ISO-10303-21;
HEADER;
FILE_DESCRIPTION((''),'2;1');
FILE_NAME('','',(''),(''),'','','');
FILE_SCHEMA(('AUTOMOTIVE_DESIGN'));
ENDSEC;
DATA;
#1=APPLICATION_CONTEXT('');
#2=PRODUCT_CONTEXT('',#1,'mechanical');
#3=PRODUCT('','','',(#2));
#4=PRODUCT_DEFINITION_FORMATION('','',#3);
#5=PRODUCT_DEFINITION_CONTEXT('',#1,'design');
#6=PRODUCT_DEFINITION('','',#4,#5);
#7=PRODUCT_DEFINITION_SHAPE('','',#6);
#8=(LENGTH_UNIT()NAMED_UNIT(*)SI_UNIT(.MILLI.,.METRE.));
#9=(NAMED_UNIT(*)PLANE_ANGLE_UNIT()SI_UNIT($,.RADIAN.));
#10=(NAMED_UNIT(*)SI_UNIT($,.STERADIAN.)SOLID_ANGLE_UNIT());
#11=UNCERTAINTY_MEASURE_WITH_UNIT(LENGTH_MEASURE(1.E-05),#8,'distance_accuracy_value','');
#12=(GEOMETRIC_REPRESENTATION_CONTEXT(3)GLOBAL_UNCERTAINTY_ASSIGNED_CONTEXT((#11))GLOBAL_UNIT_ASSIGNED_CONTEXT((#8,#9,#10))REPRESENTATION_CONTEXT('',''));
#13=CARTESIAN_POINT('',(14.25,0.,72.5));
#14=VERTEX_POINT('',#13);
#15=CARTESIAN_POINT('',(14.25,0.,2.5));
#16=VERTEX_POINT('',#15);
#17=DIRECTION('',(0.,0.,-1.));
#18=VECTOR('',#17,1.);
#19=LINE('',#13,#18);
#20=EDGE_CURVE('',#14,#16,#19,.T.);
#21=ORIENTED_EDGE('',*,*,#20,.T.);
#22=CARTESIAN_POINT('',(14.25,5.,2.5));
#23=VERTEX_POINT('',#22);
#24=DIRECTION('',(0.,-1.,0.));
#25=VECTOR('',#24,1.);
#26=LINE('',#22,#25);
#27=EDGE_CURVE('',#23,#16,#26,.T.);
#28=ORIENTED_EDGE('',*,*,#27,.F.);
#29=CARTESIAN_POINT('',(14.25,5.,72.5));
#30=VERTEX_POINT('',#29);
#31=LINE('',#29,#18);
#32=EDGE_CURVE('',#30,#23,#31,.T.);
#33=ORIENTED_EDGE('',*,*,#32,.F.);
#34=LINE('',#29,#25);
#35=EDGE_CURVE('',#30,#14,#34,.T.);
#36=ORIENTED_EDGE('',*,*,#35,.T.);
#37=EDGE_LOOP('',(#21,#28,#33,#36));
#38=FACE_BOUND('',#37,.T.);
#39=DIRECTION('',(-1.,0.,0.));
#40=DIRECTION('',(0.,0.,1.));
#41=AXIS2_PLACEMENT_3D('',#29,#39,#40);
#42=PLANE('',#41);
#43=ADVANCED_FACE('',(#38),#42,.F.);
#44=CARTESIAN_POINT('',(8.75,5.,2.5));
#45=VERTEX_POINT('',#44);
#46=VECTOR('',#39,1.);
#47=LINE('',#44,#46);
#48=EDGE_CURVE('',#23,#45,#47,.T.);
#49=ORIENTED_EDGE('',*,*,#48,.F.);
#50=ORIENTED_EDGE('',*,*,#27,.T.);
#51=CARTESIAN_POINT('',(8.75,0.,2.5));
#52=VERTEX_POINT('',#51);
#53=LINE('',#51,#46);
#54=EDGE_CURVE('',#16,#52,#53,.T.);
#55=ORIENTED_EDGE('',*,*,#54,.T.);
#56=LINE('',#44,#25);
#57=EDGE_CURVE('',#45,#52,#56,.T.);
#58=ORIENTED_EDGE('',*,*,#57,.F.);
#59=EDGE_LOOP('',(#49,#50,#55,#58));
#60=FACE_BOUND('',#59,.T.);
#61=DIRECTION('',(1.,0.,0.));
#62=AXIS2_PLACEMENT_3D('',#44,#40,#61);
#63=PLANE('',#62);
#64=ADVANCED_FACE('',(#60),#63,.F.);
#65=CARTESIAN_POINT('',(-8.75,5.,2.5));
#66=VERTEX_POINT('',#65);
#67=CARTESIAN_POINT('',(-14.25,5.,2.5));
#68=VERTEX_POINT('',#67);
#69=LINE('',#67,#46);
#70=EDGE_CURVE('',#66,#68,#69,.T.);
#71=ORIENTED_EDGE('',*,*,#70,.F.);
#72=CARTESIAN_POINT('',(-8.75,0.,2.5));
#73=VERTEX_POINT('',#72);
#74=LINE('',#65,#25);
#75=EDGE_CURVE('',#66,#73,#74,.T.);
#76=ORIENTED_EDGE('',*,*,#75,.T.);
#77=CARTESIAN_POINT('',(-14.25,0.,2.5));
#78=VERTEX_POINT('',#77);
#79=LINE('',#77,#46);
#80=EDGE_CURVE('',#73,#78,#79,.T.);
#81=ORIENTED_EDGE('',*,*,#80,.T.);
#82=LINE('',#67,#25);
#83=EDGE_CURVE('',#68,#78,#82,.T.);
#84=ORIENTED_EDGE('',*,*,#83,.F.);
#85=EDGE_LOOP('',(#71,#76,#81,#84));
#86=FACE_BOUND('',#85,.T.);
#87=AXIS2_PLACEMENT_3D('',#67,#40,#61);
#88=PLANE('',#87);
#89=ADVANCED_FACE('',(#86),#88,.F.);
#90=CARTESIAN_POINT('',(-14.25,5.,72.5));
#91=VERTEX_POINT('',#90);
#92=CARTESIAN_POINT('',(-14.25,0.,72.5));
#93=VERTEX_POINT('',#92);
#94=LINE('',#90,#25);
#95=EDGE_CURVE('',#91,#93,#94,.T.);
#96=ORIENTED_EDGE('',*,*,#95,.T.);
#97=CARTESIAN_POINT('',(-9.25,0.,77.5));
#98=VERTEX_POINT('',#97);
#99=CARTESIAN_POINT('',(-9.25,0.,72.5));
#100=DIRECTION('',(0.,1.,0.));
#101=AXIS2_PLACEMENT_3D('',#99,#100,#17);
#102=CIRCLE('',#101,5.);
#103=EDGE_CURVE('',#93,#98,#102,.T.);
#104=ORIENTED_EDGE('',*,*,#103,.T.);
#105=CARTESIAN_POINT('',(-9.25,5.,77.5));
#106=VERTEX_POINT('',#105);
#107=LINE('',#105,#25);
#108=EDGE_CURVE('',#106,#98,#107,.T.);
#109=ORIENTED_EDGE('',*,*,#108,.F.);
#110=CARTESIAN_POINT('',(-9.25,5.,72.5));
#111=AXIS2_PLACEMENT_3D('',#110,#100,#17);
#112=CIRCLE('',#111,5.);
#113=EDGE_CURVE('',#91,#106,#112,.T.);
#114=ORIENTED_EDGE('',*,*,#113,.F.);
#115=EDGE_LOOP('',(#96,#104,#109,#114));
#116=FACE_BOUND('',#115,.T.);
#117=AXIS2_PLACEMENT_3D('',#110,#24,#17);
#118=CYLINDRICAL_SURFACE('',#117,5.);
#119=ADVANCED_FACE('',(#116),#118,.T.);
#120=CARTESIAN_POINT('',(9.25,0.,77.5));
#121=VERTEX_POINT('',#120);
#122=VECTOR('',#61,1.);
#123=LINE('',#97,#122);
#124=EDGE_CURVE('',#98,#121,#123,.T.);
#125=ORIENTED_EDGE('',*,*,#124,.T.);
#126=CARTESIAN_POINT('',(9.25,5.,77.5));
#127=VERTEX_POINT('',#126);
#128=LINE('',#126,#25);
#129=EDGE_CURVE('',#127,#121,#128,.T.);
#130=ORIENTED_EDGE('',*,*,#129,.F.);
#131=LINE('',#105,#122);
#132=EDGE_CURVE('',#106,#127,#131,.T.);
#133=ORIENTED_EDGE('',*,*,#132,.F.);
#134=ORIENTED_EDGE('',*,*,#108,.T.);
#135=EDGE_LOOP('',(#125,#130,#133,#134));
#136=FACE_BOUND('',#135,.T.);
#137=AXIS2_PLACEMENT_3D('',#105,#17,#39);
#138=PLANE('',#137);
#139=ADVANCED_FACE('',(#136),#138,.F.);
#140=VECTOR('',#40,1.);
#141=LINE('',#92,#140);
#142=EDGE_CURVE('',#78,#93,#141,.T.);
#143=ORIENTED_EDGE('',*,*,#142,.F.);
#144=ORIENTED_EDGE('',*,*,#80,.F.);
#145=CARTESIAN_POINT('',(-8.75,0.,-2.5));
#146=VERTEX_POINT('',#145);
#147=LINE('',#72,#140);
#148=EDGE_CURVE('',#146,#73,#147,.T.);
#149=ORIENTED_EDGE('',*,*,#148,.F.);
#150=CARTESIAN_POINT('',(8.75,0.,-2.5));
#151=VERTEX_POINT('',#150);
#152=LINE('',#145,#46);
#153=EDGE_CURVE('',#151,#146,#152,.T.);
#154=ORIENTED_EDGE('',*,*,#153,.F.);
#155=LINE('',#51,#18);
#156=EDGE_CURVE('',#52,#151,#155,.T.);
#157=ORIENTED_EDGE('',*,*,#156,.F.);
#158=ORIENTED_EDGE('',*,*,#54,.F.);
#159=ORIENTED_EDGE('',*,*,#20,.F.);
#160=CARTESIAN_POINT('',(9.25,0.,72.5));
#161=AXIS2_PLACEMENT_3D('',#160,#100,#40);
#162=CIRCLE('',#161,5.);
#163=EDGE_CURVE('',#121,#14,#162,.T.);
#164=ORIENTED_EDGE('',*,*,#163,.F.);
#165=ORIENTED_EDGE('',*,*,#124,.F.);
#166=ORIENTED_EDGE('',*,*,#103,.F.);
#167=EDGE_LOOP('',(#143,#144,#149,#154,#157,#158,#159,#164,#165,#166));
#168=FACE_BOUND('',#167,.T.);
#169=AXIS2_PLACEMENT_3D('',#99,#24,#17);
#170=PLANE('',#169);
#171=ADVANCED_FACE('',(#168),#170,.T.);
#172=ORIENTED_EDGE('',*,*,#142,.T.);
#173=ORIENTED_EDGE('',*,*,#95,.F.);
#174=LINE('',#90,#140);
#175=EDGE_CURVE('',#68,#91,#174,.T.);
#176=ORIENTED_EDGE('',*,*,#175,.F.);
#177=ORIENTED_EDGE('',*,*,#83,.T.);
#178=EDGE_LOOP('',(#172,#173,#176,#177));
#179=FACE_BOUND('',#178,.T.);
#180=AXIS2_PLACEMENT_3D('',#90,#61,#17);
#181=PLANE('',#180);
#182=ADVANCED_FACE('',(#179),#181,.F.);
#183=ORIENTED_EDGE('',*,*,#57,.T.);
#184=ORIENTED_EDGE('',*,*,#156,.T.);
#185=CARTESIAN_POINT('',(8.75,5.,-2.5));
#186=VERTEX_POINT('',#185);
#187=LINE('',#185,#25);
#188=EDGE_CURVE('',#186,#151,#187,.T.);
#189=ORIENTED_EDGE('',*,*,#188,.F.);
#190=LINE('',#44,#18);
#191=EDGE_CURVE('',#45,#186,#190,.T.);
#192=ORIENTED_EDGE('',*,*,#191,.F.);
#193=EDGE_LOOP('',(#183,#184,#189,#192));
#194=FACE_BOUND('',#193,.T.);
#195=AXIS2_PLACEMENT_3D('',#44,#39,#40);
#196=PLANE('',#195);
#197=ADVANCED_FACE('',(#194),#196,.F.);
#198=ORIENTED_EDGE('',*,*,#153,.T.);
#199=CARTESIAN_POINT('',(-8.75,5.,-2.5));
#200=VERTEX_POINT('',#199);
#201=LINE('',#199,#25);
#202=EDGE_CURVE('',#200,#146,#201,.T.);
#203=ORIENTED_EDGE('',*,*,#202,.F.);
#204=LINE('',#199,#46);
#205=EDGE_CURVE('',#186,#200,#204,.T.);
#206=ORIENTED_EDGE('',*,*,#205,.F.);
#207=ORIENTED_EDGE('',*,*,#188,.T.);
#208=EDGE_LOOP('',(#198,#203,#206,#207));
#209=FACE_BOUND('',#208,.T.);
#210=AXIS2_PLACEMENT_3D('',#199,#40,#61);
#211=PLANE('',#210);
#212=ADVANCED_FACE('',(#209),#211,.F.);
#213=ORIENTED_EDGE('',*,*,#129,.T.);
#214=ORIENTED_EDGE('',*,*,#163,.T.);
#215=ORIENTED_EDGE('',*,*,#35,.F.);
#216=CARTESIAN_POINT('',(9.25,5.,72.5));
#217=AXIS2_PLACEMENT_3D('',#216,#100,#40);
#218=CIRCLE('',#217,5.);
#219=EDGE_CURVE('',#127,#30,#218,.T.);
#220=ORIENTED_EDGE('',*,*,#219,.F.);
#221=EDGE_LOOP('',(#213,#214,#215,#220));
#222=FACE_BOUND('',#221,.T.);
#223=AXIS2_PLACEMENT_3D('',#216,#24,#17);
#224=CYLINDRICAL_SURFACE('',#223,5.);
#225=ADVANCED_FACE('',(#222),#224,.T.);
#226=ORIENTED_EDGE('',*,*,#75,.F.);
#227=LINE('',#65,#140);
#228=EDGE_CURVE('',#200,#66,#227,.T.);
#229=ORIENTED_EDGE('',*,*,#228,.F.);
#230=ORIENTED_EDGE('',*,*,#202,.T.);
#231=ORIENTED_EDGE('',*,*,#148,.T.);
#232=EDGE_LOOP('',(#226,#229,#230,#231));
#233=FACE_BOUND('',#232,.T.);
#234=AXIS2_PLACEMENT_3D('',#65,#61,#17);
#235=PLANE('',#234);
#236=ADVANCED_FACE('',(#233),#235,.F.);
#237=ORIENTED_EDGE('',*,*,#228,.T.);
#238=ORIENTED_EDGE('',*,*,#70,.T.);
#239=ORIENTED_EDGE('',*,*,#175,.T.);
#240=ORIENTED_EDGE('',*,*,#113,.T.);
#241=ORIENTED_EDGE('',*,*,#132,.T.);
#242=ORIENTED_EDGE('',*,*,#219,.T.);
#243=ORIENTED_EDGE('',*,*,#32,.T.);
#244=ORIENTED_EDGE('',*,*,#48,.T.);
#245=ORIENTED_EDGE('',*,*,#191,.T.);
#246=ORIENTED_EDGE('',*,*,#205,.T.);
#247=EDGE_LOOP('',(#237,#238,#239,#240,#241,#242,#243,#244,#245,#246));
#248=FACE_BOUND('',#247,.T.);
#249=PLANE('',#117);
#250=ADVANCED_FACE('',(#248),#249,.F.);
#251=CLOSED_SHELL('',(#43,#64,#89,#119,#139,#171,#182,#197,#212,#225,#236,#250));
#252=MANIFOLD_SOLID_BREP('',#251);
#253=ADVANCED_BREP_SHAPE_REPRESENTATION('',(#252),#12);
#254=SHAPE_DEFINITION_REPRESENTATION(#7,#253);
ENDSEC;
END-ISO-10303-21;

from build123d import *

# Parameters (mm, degrees)
BOSS_EXTRUDE1_DEPTH = 5


with BuildPart() as part:
    # Sketch1 → Boss-Extrude1 (new body)
    with BuildSketch(Plane(origin=(0, 0, 0), x_dir=(1, 0, 0), z_dir=(0, 1, 0))):
        with BuildLine():
            Line((8.75, -2.5), (14.25, -2.5))
            Line((14.25, -2.5), (14.25, -72.5))
            ThreePointArc((14.25, -72.5), (12.785533906, -76.035533906), (9.25, -77.5))
            Line((9.25, -77.5), (-9.25, -77.5))
            ThreePointArc((-9.25, -77.5), (-12.785533906, -76.035533906), (-14.25, -72.5))
            Line((-14.25, -72.5), (-14.25, -2.5))
            Line((-14.25, -2.5), (-8.75, -2.5))
            Line((-8.75, -2.5), (-8.75, 2.5))
            Line((-8.75, 2.5), (8.75, 2.5))
            Line((8.75, 2.5), (8.75, -2.5))
        make_face()
    extrude(amount=BOSS_EXTRUDE1_DEPTH)


solid = part.part
